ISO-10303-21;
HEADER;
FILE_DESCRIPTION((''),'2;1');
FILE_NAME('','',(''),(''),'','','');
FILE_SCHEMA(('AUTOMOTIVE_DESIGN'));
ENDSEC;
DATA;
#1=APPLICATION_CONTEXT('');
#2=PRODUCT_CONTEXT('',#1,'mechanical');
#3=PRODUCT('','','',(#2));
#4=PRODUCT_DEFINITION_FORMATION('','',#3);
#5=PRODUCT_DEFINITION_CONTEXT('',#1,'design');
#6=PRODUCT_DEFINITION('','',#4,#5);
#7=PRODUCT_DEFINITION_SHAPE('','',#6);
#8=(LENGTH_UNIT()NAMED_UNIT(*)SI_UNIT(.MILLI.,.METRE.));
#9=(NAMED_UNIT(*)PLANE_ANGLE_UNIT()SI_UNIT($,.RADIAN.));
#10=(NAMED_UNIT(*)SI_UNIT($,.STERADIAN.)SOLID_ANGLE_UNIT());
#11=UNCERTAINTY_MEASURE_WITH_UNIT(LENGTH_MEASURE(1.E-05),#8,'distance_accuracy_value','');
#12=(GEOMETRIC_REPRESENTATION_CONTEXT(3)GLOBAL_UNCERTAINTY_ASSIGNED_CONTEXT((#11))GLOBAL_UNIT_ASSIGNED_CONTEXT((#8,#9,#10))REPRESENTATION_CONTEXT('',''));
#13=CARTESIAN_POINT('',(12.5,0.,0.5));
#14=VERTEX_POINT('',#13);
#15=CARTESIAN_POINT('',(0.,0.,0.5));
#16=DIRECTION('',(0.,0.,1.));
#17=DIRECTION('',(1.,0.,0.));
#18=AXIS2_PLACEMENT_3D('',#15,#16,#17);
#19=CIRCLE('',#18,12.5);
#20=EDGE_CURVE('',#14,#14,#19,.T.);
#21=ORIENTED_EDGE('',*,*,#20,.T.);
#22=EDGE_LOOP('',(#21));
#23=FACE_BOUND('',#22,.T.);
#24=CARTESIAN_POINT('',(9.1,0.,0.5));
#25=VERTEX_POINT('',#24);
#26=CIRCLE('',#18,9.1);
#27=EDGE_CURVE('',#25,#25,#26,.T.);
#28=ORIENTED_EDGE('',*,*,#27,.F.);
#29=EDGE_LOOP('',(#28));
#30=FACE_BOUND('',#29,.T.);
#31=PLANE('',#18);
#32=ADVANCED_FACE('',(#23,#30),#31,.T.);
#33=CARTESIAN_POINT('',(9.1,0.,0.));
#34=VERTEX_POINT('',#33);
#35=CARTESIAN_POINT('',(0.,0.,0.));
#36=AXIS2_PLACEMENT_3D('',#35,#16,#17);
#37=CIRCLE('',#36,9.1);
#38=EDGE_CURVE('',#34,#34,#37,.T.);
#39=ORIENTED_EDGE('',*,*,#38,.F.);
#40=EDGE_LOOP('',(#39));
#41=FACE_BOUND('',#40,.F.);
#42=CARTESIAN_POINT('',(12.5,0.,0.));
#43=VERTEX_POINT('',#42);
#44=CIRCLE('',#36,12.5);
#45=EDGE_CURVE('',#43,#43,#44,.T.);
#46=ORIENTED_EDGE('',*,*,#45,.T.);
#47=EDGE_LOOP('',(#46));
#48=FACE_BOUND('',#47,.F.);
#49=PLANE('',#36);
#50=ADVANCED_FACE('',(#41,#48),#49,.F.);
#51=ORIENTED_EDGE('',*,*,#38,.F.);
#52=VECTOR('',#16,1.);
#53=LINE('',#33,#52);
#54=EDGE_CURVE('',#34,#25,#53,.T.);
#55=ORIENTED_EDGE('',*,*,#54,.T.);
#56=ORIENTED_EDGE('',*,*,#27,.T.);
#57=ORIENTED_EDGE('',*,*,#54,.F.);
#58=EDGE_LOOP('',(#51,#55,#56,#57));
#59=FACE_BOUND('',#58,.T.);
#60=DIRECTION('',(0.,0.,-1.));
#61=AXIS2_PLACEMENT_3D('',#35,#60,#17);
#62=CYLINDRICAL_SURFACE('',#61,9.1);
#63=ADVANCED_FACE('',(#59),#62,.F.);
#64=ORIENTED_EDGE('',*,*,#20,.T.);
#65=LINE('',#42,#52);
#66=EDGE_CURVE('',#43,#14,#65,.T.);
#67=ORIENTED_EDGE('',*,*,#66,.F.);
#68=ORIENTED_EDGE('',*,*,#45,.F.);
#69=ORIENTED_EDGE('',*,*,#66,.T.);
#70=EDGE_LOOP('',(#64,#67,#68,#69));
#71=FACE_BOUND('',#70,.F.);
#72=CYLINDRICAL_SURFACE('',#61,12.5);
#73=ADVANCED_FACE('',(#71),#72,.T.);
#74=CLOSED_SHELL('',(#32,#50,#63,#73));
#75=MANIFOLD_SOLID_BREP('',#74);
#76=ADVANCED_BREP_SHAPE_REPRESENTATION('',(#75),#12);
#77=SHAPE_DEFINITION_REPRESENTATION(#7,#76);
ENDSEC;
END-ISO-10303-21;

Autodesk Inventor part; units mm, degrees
ref_plane "YZ Plane" through (0, 0, 0) normal (1, 0, 0) x (0, 1, 0)
ref_plane "XZ Plane" through (0, 0, 0) normal (0, 1, 0) x (-1, 0, 0)
ref_plane "XY Plane" through (0, 0, 0) normal (0, 0, 1) x (1, 0, 0)
sketch "スケッチ1" plane through (0, 0, 0) normal (0, 0, 1) x (1, 0, 0)
  circle A0 centre (0, 0) radius 9.1
  circle A1 centre (0, 0) radius 12.5
  dimension "d0" = 18.2
  dimension "d1" = 25
extrude "押し出し1" add sketch "スケッチ1" along normal blind 0.5
properties part number "ワッシャー18.2,25,0.5t" material "アセタール樹脂、白"
